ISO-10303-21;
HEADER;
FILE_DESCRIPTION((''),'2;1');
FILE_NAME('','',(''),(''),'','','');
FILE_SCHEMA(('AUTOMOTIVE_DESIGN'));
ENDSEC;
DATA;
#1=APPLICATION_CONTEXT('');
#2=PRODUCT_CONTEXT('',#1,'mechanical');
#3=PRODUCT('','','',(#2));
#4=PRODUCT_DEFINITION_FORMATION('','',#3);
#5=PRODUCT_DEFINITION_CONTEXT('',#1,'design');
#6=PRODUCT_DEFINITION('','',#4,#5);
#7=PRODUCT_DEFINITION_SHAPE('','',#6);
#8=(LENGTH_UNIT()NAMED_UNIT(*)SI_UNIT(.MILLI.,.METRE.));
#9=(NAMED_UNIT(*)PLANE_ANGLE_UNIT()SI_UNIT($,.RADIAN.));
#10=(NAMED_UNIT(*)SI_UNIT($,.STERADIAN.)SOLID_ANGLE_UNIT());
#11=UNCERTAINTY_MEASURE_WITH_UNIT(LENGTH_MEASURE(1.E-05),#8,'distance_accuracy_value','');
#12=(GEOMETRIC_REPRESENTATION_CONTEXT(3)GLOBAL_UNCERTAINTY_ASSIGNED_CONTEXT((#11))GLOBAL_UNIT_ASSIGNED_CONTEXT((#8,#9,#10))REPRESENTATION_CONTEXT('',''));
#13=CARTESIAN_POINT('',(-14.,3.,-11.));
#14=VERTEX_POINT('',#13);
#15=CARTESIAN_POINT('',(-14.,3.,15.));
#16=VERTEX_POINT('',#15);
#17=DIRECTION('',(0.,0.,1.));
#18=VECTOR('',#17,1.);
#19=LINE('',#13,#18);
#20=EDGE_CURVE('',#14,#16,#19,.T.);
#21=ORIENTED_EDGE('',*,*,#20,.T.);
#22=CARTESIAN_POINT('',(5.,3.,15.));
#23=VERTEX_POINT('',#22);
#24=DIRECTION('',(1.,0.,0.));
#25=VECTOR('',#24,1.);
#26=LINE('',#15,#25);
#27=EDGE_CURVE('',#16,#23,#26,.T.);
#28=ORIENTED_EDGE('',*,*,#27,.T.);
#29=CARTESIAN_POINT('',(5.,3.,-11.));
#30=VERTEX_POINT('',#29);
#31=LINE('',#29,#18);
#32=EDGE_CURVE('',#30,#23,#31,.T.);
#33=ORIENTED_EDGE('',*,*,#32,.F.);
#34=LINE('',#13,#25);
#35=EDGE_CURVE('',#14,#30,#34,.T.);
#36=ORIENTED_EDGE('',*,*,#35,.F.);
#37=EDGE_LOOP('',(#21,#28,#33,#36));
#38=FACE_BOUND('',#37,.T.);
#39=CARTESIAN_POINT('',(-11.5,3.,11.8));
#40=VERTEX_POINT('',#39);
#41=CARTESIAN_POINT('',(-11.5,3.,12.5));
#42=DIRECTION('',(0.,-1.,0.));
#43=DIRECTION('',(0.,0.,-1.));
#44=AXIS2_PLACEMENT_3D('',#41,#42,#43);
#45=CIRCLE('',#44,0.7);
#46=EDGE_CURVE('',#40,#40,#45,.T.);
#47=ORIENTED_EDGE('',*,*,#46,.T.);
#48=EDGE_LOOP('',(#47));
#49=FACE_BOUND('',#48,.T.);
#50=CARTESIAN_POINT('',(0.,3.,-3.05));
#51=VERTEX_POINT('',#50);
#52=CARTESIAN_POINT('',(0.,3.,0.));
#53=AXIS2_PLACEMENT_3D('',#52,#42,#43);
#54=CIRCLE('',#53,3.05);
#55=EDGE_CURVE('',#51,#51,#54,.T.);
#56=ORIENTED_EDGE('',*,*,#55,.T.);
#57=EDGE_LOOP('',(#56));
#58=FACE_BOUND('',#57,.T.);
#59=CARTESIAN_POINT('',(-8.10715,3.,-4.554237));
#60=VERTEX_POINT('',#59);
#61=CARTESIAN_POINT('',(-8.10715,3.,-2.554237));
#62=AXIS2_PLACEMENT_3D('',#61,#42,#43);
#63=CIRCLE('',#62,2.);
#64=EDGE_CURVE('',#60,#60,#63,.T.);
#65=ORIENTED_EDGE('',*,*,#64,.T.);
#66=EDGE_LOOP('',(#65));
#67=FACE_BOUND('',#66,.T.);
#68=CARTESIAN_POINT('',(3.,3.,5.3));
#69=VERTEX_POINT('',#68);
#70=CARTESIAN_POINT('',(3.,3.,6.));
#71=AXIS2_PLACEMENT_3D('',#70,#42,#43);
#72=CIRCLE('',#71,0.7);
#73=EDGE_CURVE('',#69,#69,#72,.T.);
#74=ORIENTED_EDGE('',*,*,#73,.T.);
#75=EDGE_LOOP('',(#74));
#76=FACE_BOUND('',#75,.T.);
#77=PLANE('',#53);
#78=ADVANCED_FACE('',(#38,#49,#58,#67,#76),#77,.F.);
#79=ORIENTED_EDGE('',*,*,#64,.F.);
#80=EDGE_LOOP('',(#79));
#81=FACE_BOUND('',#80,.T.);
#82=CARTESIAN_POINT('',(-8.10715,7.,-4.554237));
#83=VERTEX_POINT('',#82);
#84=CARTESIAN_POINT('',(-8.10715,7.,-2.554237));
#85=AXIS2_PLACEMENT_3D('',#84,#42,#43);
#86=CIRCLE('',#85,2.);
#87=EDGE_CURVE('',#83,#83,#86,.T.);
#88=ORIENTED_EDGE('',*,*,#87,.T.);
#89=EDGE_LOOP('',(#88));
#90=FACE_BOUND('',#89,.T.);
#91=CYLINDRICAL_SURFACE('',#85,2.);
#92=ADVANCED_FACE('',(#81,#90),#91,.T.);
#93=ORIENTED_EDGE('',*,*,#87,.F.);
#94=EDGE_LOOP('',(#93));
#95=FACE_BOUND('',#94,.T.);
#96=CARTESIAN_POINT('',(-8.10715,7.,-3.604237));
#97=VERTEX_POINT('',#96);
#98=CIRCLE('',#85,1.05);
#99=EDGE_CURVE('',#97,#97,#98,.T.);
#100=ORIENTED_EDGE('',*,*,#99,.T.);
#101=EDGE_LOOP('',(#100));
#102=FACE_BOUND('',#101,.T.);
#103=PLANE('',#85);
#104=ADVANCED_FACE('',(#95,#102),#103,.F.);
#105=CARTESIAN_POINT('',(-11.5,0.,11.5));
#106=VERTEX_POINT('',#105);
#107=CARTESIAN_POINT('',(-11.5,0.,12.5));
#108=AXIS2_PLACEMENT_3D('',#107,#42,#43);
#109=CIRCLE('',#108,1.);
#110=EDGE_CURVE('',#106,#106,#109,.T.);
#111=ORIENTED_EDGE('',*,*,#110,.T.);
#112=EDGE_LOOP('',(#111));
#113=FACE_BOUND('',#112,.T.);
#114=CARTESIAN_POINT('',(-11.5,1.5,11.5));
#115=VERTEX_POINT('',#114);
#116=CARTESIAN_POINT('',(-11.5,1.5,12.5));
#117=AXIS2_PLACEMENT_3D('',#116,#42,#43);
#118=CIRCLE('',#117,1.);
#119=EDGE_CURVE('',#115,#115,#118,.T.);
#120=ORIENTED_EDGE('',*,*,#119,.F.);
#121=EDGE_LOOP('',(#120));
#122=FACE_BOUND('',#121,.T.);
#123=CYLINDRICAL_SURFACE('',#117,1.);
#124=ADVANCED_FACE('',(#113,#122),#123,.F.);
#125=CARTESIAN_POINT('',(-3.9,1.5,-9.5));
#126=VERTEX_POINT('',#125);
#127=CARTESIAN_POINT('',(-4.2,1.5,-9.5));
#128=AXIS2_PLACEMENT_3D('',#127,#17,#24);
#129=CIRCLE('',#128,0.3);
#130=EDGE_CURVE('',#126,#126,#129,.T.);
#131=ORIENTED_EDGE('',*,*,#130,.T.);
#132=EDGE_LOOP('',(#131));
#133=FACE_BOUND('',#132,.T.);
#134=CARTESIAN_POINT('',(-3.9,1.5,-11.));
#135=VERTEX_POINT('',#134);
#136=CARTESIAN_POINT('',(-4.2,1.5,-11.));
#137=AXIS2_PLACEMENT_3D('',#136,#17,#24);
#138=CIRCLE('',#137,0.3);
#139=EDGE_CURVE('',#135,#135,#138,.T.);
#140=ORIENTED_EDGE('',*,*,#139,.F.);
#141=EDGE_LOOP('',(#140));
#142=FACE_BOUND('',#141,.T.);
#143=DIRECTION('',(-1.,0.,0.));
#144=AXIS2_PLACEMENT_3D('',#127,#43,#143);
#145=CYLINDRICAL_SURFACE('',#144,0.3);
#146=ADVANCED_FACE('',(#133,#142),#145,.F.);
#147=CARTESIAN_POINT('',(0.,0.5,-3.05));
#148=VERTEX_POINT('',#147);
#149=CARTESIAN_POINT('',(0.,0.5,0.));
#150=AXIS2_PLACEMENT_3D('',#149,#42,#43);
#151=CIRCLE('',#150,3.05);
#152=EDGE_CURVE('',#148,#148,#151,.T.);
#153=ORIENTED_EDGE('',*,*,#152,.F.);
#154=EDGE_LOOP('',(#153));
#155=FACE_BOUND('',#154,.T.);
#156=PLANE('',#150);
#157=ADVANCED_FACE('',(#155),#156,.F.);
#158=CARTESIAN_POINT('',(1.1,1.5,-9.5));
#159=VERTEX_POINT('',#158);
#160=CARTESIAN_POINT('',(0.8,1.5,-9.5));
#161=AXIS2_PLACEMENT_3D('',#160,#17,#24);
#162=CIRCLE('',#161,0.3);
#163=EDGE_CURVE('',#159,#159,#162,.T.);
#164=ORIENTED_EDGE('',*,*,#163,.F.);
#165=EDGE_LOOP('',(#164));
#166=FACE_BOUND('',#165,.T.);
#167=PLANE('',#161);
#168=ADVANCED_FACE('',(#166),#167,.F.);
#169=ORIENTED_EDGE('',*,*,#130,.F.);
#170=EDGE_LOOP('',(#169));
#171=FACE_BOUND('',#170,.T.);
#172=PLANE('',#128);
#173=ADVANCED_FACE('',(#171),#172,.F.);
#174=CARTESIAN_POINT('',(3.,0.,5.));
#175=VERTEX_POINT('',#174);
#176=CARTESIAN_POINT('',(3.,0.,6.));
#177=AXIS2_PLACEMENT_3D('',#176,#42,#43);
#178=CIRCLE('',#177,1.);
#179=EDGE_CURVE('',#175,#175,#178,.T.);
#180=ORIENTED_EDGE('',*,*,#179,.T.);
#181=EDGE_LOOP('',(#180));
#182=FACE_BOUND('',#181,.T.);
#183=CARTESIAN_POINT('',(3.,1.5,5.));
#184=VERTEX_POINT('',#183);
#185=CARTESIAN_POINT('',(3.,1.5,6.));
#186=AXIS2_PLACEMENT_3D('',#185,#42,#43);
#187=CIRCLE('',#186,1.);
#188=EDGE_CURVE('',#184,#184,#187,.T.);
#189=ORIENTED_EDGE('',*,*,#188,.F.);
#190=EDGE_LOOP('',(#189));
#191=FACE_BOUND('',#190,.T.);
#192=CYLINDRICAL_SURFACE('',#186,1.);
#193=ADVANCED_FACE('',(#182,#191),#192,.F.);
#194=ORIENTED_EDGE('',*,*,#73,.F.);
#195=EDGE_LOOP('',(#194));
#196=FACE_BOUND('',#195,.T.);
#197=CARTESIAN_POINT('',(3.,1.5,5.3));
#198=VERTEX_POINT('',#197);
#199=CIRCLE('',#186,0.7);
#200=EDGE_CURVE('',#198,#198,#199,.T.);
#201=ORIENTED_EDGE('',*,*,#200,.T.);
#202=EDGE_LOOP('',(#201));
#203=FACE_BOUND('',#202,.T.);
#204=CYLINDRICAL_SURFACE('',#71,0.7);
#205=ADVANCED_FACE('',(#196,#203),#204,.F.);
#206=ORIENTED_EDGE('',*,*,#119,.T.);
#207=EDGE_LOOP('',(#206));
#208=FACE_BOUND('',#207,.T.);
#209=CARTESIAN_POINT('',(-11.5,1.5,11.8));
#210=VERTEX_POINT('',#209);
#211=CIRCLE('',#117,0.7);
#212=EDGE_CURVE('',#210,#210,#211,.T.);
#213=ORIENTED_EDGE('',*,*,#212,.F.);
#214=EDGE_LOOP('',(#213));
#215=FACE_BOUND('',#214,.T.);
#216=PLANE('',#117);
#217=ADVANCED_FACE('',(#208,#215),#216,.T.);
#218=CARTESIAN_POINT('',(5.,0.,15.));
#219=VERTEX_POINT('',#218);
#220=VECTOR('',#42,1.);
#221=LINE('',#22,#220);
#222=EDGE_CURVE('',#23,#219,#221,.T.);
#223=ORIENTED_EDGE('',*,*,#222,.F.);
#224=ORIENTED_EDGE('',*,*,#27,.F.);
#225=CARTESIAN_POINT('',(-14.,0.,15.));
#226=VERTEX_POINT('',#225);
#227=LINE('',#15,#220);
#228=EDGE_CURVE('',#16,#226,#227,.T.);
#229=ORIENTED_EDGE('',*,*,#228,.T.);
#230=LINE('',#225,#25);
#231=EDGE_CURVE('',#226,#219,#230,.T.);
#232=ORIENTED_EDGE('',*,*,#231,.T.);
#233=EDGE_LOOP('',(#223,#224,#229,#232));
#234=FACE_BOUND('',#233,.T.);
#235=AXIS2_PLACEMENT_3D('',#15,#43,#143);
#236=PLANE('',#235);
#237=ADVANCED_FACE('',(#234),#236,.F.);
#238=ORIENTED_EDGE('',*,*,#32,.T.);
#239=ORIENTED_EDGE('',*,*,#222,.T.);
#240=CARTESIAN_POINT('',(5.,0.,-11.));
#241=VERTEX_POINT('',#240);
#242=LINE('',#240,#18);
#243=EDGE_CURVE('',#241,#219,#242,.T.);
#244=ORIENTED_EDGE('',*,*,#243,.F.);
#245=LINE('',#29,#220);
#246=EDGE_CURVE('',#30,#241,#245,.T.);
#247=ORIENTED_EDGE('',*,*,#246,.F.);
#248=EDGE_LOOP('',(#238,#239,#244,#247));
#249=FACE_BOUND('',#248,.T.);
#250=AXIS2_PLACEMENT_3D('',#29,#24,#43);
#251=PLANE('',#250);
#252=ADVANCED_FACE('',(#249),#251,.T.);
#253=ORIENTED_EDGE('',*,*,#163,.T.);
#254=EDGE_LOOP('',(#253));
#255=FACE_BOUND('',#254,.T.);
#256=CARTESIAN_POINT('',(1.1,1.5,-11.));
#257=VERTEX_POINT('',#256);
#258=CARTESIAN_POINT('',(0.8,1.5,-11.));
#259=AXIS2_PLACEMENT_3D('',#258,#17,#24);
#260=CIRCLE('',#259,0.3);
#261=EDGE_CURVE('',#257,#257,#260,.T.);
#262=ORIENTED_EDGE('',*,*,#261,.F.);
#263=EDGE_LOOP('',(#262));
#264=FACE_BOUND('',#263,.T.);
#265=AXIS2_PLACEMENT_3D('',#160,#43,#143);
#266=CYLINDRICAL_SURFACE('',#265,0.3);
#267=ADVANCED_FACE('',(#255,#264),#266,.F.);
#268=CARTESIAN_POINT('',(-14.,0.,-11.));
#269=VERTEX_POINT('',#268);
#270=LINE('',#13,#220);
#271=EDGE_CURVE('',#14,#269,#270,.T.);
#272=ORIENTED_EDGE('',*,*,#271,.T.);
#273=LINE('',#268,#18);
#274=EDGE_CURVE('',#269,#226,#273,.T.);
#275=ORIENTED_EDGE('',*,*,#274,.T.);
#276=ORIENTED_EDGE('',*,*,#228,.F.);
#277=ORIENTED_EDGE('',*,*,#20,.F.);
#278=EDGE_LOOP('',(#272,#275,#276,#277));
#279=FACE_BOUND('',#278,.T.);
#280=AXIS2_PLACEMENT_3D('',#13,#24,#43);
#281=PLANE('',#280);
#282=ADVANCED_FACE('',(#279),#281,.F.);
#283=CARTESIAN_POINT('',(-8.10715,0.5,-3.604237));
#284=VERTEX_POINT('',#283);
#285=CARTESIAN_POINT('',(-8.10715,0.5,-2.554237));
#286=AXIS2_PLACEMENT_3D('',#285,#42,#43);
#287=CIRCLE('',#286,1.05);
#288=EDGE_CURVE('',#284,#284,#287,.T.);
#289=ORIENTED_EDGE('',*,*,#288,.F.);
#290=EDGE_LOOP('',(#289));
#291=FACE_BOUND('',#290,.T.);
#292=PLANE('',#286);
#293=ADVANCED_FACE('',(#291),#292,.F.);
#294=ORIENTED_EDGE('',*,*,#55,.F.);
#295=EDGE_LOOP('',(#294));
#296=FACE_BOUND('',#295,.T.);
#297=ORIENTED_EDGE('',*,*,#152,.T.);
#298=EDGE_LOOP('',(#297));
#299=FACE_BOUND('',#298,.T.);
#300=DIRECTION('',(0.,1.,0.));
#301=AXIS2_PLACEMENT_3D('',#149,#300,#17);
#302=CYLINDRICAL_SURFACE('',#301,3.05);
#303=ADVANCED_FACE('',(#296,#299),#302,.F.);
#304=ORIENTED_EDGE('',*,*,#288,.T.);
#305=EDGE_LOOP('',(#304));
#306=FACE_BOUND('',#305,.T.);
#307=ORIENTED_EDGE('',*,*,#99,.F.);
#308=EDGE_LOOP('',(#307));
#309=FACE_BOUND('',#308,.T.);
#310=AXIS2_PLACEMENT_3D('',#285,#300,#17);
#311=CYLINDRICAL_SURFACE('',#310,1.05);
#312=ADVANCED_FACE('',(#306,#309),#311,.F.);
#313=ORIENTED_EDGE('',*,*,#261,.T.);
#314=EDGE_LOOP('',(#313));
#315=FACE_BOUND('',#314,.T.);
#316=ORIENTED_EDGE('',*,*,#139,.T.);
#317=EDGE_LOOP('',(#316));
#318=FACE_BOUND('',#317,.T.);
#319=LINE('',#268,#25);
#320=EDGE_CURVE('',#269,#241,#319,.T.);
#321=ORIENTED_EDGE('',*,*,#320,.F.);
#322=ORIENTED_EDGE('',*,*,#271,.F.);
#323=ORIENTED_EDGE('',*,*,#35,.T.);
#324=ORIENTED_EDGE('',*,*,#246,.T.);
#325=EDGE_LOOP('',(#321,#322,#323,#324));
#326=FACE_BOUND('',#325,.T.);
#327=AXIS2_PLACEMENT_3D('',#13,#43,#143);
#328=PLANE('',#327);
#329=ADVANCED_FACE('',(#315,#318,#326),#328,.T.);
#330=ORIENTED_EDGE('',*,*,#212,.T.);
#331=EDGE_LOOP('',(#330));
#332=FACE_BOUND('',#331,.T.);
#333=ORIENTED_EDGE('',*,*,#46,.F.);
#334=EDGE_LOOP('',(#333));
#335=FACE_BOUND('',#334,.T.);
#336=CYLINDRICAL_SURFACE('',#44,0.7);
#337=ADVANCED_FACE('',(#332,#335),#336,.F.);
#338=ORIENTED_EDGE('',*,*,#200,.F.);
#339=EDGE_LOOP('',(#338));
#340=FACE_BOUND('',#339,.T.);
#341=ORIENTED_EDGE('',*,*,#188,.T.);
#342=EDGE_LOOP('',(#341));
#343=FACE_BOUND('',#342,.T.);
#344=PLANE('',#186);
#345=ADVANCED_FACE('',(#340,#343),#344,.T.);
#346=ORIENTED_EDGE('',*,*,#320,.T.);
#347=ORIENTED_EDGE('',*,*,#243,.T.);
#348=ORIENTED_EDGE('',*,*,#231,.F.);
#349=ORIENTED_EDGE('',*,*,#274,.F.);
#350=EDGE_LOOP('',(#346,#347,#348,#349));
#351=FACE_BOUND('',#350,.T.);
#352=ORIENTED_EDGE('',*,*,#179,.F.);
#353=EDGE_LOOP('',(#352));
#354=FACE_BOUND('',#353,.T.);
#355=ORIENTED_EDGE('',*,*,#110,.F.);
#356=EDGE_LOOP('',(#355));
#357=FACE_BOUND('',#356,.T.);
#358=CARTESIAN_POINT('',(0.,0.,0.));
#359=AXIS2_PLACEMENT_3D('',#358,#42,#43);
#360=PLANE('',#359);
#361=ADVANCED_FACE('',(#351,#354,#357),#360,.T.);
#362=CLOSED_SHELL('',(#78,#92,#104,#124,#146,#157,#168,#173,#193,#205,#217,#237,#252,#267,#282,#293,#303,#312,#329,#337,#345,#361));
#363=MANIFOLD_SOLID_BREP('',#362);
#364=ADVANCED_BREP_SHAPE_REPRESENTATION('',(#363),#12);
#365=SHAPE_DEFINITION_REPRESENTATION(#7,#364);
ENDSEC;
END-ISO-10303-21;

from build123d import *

# Parameters (mm, degrees)
SKETCH_1_W          = 19
SKETCH_1_H          = 26
EXTRUDE_1_DEPTH     = 3
CUT_EXTRUDE_START   = 3
SKETCH_1_3_R        = 3.05
SKETCH_1_3_R_2      = 1.05
CUT_EXTRUDE_1_DEPTH = 2.5
SKETCH_2_R          = 1
CUT_EXTRUDE_2_DEPTH = 1.5
SKETCH_2_3_R        = 0.7
CUT_EXTRUDE_3_DEPTH = 21.736441353
EXTRUDE_START       = 3
SKETCH_1_6_R        = 2
EXTRUDE_2_DEPTH     = 4
CUT_EXTRUDE_START_2 = 7
SKETCH_1_7_R        = 1.05
CUT_EXTRUDE_5_DEPTH = 4
SKETCH_3_R          = 0.3
CUT_EXTRUDE_6_DEPTH = 1.5


with BuildPart() as part:
    # 草图1 → 凸台-拉伸1 (new body)
    with BuildSketch(Plane(origin=(0, 0, 0), x_dir=(1, 0, 0), z_dir=(0, 1, 0))):
        with Locations((-4.5, -2)):
            Rectangle(SKETCH_1_W, SKETCH_1_H)
    extrude(amount=EXTRUDE_1_DEPTH)

    # 草图1<3> → 切除-拉伸1 (cut)
    with BuildSketch(Plane(origin=(0, 0, 0), x_dir=(1, 0, 0), z_dir=(0, 1, 0)).offset(CUT_EXTRUDE_START)):
        with Locations(Location((0, 0, 0), (0, 0, 90))):
            Circle(SKETCH_1_3_R)
        with Locations(Location((-8.107149516, 2.554237014, 0), (0, 0, 90))):
            Circle(SKETCH_1_3_R_2)
    extrude(amount=-CUT_EXTRUDE_1_DEPTH, mode=Mode.SUBTRACT)

    # 草图2 → 切除-拉伸2 (cut)
    with BuildSketch(Plane.XZ):
        with Locations(Location((-11.5, 12.5, 0), (0, 0, 270))):
            Circle(SKETCH_2_R)
        with Locations(Location((3, 6, 0), (0, 0, 270))):
            Circle(SKETCH_2_R)
    extrude(amount=-CUT_EXTRUDE_2_DEPTH, mode=Mode.SUBTRACT)

    # 草图2<3> → 切除-拉伸3 (cut, through all)
    with BuildSketch(Plane.XZ):
        with Locations(Location((-11.5, 12.5, 0), (0, 0, 270))):
            Circle(SKETCH_2_3_R)
        with Locations(Location((3, 6, 0), (0, 0, 270))):
            Circle(SKETCH_2_3_R)
    extrude(amount=-CUT_EXTRUDE_3_DEPTH, mode=Mode.SUBTRACT)

    # 草图1<6> → 凸台-拉伸2 (add)
    with BuildSketch(Plane(origin=(0, 0, 0), x_dir=(1, 0, 0), z_dir=(0, 1, 0)).offset(EXTRUDE_START)):
        with Locations(Location((-8.107149516, 2.554237014, 0), (0, 0, 90))):
            Circle(SKETCH_1_6_R)
    extrude(amount=EXTRUDE_2_DEPTH)

    # 草图1<7> → 切除-拉伸5 (cut)
    with BuildSketch(Plane(origin=(0, 0, 0), x_dir=(1, 0, 0), z_dir=(0, 1, 0)).offset(CUT_EXTRUDE_START_2)):
        with Locations(Location((-8.107149516, 2.554237014, 0), (0, 0, 90))):
            Circle(SKETCH_1_7_R)
    extrude(amount=-CUT_EXTRUDE_5_DEPTH, mode=Mode.SUBTRACT)

    # 草图3 → 切除-拉伸6 (cut)
    with BuildSketch(Plane.XY.offset(-11)):
        with Locations((0.8, 1.5)):
            Circle(SKETCH_3_R)
        with Locations((-4.2, 1.5)):
            Circle(SKETCH_3_R)
    extrude(amount=CUT_EXTRUDE_6_DEPTH, mode=Mode.SUBTRACT)


solid = part.part
